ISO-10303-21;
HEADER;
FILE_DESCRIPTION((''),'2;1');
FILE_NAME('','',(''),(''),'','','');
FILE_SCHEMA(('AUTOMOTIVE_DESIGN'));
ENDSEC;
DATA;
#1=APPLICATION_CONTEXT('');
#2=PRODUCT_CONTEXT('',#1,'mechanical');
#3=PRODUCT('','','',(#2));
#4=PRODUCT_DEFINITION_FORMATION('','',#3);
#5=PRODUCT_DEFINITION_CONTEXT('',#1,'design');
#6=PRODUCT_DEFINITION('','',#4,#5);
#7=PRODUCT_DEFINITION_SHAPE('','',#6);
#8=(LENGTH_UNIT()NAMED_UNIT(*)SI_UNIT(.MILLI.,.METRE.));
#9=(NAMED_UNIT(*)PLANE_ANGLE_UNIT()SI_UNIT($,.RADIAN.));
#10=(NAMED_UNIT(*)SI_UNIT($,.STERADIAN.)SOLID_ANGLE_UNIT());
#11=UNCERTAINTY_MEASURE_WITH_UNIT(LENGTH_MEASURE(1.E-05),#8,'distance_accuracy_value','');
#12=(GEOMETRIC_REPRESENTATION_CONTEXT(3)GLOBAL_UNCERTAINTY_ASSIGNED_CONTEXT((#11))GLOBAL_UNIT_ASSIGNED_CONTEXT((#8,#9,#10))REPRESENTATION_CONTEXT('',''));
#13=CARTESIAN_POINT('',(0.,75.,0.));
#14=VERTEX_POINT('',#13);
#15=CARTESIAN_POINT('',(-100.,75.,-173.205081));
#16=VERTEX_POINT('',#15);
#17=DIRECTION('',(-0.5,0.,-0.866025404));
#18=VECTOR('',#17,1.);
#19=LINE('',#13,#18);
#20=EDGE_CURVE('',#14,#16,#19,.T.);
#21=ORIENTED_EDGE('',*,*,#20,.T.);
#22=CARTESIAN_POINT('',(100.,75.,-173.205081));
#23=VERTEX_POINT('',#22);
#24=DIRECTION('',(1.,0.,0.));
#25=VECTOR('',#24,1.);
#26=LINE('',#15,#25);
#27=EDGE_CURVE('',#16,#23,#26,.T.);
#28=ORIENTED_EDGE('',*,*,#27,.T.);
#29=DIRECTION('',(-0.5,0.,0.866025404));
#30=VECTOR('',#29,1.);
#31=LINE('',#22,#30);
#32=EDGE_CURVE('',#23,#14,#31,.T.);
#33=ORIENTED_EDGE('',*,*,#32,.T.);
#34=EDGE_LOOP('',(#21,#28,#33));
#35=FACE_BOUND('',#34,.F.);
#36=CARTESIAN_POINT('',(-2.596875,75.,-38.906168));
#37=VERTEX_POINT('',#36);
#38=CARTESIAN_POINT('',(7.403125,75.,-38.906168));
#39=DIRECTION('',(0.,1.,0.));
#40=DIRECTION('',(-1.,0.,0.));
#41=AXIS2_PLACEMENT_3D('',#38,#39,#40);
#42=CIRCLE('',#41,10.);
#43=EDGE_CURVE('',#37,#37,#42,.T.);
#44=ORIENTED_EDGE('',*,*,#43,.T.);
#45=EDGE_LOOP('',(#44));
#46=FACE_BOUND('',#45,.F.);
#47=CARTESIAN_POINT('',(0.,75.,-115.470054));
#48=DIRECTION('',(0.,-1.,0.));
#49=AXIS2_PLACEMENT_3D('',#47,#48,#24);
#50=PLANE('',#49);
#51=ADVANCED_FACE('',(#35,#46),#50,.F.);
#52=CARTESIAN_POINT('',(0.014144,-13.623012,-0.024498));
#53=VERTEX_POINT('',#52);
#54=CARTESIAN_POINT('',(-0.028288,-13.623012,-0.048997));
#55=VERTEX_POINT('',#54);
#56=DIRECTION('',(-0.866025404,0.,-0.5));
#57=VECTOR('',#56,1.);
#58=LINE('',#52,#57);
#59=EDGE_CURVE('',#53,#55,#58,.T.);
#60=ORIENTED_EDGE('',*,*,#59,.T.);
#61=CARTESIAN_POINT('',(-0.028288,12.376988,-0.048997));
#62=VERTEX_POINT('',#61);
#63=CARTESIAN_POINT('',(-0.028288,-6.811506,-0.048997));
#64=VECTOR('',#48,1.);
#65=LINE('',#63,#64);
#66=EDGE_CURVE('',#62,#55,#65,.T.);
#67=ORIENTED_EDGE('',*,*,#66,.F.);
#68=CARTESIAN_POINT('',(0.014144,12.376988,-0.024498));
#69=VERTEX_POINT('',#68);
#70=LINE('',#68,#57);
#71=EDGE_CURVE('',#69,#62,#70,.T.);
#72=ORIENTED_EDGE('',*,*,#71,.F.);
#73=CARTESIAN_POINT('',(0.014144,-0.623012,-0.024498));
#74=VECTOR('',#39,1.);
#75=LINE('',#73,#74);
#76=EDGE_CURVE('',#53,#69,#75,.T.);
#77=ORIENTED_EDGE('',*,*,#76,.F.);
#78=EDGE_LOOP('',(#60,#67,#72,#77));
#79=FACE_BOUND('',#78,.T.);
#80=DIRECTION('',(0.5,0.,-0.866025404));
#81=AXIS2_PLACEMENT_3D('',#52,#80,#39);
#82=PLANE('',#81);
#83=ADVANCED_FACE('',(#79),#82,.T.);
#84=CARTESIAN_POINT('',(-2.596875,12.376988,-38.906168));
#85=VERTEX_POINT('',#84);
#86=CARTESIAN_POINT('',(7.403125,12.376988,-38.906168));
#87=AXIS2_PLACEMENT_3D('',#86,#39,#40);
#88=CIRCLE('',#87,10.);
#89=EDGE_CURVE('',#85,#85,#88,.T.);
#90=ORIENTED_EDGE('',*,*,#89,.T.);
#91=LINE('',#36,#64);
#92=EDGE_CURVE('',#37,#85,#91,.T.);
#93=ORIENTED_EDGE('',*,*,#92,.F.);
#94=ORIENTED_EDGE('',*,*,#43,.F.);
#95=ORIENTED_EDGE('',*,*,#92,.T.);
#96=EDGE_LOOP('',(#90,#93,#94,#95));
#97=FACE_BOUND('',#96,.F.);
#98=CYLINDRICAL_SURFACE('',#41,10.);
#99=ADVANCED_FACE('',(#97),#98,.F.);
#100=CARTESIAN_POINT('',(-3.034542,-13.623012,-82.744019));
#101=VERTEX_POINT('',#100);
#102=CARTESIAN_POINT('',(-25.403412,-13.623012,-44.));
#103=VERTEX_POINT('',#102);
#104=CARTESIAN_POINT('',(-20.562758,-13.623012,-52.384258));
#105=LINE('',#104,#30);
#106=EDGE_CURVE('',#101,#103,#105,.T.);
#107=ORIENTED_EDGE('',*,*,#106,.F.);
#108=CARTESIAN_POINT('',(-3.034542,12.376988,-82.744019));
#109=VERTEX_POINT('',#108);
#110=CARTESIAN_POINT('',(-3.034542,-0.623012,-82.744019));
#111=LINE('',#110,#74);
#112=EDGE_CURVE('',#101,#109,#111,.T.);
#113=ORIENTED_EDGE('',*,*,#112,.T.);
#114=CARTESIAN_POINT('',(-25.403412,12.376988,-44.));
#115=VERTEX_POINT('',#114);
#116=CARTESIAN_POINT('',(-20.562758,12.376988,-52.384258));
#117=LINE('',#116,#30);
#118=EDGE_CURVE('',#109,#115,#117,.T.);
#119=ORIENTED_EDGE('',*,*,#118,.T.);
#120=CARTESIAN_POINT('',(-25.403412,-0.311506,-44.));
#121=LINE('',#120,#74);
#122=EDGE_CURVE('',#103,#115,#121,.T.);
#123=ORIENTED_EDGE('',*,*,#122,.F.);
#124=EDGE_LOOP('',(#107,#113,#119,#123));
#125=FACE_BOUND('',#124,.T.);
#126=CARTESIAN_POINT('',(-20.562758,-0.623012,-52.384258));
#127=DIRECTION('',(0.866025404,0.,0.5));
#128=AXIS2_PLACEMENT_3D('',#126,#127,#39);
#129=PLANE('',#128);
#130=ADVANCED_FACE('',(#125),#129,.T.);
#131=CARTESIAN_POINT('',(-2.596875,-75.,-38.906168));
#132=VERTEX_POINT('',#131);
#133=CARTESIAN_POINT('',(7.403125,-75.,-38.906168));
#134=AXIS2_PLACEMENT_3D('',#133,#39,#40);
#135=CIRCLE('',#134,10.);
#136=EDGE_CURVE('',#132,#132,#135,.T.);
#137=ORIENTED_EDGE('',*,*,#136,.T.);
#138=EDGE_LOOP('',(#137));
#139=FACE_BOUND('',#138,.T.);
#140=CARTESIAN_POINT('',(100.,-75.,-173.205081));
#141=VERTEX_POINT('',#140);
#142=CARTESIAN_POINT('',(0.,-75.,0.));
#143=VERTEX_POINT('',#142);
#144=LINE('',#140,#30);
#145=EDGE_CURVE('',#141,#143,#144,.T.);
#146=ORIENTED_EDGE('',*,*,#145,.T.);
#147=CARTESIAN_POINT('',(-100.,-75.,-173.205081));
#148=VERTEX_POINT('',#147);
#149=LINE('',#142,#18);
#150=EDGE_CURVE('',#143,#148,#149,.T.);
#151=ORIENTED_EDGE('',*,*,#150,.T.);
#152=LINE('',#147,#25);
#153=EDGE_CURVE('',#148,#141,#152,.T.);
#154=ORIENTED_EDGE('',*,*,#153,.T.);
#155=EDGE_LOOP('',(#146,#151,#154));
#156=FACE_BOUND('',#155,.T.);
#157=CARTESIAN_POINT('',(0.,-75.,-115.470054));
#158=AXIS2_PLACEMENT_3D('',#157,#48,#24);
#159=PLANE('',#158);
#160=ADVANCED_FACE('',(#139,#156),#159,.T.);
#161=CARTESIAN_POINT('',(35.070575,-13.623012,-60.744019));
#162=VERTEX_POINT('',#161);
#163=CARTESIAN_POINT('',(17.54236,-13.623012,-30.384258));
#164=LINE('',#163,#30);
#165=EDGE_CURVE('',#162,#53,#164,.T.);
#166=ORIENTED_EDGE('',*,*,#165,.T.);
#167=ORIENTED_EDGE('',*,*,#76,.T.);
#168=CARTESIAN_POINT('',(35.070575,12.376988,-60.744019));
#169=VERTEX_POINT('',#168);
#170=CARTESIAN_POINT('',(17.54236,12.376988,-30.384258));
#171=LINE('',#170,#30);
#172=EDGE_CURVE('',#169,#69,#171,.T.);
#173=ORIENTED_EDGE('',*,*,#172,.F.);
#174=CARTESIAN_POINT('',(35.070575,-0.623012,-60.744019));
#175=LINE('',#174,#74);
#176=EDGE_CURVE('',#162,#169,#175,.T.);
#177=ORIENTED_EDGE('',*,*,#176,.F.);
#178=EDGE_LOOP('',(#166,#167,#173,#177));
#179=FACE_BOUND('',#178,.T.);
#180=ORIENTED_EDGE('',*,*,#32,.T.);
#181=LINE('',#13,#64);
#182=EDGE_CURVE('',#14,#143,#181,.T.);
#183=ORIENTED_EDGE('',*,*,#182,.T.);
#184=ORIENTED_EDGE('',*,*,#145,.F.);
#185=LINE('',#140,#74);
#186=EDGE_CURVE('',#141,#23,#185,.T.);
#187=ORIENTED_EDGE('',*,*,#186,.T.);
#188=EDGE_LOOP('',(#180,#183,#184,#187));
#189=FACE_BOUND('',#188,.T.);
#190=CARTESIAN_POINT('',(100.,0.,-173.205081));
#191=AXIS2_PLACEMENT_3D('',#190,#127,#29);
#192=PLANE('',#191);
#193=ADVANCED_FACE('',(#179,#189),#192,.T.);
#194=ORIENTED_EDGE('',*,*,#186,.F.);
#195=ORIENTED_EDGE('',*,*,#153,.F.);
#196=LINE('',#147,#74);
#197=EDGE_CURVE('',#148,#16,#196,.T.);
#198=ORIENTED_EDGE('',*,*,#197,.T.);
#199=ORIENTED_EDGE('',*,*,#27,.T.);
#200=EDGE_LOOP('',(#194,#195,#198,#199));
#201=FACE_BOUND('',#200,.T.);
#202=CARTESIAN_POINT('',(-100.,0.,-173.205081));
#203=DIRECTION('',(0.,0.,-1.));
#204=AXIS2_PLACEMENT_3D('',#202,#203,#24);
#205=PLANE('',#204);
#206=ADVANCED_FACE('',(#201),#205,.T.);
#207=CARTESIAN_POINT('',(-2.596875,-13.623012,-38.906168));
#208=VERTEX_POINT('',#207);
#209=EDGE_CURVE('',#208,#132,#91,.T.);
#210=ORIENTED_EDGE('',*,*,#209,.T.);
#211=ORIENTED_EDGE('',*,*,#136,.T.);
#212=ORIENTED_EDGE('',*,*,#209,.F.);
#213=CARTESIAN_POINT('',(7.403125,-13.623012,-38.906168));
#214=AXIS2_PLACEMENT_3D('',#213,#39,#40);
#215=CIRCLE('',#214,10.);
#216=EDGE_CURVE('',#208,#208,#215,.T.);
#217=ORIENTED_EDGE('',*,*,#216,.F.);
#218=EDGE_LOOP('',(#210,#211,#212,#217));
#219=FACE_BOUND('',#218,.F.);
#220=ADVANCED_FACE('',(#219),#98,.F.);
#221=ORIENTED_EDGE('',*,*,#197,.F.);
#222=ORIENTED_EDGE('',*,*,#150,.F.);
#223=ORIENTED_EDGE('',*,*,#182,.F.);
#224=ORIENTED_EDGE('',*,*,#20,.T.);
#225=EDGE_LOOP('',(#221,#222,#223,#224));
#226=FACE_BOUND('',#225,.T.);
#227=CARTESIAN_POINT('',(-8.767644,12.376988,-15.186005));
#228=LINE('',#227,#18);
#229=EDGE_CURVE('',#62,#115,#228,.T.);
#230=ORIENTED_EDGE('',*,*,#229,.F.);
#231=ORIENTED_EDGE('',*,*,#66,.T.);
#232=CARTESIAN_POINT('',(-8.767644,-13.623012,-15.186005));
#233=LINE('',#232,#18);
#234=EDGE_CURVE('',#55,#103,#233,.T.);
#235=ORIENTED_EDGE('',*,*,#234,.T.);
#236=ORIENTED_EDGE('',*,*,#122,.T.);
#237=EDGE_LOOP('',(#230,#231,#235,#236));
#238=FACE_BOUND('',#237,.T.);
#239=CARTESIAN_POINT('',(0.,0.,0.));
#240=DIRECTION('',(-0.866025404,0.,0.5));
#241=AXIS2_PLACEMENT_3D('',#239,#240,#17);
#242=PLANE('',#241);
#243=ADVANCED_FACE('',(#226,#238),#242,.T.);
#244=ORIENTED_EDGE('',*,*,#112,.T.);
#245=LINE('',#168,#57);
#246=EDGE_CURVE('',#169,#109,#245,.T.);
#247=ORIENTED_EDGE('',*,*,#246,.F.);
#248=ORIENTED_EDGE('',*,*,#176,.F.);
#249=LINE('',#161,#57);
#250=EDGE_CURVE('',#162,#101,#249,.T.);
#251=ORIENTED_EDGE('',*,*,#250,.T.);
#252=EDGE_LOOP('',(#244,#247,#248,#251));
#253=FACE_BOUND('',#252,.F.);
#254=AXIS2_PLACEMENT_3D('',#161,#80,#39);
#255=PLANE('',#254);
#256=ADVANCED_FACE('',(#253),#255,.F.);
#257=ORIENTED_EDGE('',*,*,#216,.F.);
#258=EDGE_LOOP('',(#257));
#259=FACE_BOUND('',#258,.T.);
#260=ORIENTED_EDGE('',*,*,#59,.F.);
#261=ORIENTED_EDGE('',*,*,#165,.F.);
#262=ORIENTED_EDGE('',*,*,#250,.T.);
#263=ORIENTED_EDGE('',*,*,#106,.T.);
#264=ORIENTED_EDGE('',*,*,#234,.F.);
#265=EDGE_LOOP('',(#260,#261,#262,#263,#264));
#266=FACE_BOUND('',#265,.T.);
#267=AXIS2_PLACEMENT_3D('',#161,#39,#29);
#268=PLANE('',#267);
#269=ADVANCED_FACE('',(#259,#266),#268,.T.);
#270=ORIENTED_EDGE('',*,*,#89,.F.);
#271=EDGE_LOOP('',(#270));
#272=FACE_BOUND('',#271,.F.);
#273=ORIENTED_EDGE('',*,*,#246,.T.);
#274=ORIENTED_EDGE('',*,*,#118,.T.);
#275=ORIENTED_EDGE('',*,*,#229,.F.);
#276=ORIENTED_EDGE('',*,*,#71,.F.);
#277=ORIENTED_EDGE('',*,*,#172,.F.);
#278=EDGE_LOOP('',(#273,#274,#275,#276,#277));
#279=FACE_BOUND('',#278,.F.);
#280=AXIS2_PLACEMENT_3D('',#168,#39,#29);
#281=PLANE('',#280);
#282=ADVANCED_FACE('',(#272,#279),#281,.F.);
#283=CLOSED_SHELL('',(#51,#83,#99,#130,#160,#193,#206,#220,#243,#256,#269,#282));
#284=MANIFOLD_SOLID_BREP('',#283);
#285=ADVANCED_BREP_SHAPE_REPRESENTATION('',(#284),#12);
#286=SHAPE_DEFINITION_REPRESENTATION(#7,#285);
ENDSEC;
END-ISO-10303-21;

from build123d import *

# Parameters (mm, degrees)
F1_DEPTH = 75
F2_R     = 10
F3_DEPTH = 150.001
F4_W     = 26
F4_H     = 70.1128626734
F5_DEPTH = 44


with BuildPart() as f1:
    # F0 (on Front) → F1 (new body, symmetric)
    with BuildSketch(Plane.XZ):
        Polygon((100, -173.2050807569), (0, 0), (-100, -173.2050807569), align=None)
    extrude(amount=F1_DEPTH, both=True)

    # F2 (on face) → F3 (cut, through all)
    with BuildSketch(Plane(origin=(0, 75, 0), x_dir=(-1, 0, 0), z_dir=(0, 1, 0))):
        with Locations((-7.4031245895, -38.9061681926)):
            Circle(F2_R)
    extrude(amount=-F3_DEPTH, mode=Mode.SUBTRACT)

    # F4 (on face) → F5 (cut)
    with BuildSketch(Plane(origin=(0, 0, 0), x_dir=(0, 1, 0), z_dir=(0.8660254038, 0, 0.5))):
        with Locations((-0.6230119616, -35.0847196241)):
            Rectangle(F4_W, F4_H)
    extrude(amount=-F5_DEPTH, mode=Mode.SUBTRACT)


solid = f1.part
